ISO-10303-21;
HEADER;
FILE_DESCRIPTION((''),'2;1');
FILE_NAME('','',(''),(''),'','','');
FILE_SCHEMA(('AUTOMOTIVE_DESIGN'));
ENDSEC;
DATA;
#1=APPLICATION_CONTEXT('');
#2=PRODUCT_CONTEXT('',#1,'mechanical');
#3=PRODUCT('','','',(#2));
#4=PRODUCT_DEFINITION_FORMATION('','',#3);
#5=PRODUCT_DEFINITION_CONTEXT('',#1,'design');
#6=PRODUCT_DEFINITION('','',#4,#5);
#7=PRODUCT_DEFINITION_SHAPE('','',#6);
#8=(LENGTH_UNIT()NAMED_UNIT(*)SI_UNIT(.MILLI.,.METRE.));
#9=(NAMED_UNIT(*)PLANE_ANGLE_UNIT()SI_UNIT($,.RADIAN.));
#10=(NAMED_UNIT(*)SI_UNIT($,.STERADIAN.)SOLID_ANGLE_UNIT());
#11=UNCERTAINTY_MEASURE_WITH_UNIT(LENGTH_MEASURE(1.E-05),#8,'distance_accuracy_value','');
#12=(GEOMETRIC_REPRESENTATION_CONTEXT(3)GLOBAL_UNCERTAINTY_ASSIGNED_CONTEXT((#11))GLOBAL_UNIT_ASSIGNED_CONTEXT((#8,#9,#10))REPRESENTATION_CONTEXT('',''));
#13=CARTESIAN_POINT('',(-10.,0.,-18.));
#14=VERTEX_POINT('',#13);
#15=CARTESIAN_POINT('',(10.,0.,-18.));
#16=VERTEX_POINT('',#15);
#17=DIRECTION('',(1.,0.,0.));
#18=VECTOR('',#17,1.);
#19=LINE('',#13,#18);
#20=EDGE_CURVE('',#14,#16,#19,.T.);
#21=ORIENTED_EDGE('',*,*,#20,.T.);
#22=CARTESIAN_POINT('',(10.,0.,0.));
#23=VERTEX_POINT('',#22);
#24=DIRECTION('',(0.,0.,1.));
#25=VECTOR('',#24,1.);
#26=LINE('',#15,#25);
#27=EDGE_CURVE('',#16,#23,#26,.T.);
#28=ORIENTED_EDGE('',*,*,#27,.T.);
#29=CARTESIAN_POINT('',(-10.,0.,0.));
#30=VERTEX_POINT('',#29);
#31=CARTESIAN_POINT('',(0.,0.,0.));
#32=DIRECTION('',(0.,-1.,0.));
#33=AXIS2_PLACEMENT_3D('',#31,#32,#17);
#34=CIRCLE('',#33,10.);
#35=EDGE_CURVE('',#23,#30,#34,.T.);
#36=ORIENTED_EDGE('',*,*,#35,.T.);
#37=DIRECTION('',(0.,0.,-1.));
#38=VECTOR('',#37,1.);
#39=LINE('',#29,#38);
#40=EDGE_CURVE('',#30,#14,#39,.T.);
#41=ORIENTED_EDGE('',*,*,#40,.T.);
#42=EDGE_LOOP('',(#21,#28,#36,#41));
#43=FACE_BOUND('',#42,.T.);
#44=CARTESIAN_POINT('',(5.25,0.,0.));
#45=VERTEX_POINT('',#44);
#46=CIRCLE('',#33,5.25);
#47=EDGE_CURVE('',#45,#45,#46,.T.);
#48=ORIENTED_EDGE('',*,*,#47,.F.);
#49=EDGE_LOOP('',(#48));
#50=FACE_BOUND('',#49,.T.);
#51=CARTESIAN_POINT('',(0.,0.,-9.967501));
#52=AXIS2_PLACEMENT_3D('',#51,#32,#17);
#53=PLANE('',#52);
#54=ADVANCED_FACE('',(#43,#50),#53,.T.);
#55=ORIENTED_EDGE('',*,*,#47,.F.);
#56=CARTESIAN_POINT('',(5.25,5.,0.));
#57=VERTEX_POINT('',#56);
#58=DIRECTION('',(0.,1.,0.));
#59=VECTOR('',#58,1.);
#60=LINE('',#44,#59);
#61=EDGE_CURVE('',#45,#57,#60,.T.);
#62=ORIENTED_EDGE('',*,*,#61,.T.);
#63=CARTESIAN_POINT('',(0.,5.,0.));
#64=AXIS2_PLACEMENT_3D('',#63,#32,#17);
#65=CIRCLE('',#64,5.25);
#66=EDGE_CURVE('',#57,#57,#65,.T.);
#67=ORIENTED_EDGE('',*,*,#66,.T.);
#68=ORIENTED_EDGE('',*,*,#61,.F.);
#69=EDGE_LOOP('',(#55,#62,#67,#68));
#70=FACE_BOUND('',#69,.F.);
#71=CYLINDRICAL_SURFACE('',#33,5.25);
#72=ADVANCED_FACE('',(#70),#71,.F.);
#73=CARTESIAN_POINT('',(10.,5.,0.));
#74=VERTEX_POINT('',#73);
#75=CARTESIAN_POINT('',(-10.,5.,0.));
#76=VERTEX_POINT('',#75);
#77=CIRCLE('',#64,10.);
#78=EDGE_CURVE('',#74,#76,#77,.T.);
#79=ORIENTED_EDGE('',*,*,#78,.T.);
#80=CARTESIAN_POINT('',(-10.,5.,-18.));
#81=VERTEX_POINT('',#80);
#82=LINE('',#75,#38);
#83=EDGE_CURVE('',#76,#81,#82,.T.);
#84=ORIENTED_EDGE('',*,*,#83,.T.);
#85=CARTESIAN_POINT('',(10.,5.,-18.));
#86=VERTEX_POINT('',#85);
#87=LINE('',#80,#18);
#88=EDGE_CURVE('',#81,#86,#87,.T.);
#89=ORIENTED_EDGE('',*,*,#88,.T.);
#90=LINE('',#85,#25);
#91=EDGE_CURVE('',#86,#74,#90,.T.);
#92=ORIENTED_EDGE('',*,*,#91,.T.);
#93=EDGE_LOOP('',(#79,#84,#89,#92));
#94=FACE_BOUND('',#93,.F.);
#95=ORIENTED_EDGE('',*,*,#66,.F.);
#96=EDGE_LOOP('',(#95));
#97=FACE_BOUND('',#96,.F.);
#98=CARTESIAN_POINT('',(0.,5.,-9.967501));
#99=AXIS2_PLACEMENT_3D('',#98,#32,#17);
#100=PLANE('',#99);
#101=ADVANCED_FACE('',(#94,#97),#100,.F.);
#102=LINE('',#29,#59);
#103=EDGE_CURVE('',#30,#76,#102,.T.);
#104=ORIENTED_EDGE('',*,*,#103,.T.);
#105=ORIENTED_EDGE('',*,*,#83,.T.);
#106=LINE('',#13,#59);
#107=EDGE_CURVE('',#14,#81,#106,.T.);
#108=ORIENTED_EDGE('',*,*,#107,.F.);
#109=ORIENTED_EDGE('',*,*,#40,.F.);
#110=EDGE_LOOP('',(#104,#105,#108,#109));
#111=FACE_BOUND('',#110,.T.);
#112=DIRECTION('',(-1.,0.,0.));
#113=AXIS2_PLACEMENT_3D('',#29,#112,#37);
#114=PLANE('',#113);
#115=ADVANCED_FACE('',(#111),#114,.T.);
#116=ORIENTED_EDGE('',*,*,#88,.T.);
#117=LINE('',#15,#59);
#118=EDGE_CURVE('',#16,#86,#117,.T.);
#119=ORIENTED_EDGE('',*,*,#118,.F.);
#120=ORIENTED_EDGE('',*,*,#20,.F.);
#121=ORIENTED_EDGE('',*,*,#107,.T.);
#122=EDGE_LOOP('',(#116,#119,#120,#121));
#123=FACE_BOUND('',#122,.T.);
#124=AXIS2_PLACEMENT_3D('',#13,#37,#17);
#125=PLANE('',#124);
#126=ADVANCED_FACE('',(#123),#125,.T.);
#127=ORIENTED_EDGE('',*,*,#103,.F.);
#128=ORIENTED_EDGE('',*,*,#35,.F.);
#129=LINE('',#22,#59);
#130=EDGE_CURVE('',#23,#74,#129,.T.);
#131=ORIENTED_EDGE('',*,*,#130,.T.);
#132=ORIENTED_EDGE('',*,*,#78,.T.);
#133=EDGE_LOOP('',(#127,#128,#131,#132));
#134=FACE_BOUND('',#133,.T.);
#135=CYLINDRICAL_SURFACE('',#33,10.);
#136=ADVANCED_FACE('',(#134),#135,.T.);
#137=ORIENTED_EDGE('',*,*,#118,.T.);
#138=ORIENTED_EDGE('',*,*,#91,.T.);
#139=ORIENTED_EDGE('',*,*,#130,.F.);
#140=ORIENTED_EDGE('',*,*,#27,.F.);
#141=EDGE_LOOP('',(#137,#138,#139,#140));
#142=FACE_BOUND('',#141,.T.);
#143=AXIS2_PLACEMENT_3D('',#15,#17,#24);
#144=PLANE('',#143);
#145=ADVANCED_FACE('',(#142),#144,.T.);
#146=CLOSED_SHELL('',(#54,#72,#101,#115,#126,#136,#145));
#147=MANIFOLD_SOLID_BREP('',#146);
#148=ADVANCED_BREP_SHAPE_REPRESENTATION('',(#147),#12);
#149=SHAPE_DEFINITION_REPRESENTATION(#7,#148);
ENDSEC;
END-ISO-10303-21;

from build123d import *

# Parameters (mm, degrees)
F0_R     = 5.25
F1_DEPTH = 5


with BuildPart() as f1:
    # F0 (on Front) → F1 (new body)
    with BuildSketch(Plane.XZ):
        with BuildLine():
            Line((10, -18), (10, 0))
            ThreePointArc((10, 0), (0, -10), (-10, 0))
            Line((-10, 0), (-10, -18))
            Line((-10, -18), (10, -18))
        make_face()
        with BuildLine():
            ThreePointArc((-10, 0), (0, -10), (10, 0))
            ThreePointArc((10, 0), (0, 10), (-10, 0))
        make_face()
        Circle(F0_R, mode=Mode.SUBTRACT)
    extrude(amount=-F1_DEPTH)


solid = f1.part
